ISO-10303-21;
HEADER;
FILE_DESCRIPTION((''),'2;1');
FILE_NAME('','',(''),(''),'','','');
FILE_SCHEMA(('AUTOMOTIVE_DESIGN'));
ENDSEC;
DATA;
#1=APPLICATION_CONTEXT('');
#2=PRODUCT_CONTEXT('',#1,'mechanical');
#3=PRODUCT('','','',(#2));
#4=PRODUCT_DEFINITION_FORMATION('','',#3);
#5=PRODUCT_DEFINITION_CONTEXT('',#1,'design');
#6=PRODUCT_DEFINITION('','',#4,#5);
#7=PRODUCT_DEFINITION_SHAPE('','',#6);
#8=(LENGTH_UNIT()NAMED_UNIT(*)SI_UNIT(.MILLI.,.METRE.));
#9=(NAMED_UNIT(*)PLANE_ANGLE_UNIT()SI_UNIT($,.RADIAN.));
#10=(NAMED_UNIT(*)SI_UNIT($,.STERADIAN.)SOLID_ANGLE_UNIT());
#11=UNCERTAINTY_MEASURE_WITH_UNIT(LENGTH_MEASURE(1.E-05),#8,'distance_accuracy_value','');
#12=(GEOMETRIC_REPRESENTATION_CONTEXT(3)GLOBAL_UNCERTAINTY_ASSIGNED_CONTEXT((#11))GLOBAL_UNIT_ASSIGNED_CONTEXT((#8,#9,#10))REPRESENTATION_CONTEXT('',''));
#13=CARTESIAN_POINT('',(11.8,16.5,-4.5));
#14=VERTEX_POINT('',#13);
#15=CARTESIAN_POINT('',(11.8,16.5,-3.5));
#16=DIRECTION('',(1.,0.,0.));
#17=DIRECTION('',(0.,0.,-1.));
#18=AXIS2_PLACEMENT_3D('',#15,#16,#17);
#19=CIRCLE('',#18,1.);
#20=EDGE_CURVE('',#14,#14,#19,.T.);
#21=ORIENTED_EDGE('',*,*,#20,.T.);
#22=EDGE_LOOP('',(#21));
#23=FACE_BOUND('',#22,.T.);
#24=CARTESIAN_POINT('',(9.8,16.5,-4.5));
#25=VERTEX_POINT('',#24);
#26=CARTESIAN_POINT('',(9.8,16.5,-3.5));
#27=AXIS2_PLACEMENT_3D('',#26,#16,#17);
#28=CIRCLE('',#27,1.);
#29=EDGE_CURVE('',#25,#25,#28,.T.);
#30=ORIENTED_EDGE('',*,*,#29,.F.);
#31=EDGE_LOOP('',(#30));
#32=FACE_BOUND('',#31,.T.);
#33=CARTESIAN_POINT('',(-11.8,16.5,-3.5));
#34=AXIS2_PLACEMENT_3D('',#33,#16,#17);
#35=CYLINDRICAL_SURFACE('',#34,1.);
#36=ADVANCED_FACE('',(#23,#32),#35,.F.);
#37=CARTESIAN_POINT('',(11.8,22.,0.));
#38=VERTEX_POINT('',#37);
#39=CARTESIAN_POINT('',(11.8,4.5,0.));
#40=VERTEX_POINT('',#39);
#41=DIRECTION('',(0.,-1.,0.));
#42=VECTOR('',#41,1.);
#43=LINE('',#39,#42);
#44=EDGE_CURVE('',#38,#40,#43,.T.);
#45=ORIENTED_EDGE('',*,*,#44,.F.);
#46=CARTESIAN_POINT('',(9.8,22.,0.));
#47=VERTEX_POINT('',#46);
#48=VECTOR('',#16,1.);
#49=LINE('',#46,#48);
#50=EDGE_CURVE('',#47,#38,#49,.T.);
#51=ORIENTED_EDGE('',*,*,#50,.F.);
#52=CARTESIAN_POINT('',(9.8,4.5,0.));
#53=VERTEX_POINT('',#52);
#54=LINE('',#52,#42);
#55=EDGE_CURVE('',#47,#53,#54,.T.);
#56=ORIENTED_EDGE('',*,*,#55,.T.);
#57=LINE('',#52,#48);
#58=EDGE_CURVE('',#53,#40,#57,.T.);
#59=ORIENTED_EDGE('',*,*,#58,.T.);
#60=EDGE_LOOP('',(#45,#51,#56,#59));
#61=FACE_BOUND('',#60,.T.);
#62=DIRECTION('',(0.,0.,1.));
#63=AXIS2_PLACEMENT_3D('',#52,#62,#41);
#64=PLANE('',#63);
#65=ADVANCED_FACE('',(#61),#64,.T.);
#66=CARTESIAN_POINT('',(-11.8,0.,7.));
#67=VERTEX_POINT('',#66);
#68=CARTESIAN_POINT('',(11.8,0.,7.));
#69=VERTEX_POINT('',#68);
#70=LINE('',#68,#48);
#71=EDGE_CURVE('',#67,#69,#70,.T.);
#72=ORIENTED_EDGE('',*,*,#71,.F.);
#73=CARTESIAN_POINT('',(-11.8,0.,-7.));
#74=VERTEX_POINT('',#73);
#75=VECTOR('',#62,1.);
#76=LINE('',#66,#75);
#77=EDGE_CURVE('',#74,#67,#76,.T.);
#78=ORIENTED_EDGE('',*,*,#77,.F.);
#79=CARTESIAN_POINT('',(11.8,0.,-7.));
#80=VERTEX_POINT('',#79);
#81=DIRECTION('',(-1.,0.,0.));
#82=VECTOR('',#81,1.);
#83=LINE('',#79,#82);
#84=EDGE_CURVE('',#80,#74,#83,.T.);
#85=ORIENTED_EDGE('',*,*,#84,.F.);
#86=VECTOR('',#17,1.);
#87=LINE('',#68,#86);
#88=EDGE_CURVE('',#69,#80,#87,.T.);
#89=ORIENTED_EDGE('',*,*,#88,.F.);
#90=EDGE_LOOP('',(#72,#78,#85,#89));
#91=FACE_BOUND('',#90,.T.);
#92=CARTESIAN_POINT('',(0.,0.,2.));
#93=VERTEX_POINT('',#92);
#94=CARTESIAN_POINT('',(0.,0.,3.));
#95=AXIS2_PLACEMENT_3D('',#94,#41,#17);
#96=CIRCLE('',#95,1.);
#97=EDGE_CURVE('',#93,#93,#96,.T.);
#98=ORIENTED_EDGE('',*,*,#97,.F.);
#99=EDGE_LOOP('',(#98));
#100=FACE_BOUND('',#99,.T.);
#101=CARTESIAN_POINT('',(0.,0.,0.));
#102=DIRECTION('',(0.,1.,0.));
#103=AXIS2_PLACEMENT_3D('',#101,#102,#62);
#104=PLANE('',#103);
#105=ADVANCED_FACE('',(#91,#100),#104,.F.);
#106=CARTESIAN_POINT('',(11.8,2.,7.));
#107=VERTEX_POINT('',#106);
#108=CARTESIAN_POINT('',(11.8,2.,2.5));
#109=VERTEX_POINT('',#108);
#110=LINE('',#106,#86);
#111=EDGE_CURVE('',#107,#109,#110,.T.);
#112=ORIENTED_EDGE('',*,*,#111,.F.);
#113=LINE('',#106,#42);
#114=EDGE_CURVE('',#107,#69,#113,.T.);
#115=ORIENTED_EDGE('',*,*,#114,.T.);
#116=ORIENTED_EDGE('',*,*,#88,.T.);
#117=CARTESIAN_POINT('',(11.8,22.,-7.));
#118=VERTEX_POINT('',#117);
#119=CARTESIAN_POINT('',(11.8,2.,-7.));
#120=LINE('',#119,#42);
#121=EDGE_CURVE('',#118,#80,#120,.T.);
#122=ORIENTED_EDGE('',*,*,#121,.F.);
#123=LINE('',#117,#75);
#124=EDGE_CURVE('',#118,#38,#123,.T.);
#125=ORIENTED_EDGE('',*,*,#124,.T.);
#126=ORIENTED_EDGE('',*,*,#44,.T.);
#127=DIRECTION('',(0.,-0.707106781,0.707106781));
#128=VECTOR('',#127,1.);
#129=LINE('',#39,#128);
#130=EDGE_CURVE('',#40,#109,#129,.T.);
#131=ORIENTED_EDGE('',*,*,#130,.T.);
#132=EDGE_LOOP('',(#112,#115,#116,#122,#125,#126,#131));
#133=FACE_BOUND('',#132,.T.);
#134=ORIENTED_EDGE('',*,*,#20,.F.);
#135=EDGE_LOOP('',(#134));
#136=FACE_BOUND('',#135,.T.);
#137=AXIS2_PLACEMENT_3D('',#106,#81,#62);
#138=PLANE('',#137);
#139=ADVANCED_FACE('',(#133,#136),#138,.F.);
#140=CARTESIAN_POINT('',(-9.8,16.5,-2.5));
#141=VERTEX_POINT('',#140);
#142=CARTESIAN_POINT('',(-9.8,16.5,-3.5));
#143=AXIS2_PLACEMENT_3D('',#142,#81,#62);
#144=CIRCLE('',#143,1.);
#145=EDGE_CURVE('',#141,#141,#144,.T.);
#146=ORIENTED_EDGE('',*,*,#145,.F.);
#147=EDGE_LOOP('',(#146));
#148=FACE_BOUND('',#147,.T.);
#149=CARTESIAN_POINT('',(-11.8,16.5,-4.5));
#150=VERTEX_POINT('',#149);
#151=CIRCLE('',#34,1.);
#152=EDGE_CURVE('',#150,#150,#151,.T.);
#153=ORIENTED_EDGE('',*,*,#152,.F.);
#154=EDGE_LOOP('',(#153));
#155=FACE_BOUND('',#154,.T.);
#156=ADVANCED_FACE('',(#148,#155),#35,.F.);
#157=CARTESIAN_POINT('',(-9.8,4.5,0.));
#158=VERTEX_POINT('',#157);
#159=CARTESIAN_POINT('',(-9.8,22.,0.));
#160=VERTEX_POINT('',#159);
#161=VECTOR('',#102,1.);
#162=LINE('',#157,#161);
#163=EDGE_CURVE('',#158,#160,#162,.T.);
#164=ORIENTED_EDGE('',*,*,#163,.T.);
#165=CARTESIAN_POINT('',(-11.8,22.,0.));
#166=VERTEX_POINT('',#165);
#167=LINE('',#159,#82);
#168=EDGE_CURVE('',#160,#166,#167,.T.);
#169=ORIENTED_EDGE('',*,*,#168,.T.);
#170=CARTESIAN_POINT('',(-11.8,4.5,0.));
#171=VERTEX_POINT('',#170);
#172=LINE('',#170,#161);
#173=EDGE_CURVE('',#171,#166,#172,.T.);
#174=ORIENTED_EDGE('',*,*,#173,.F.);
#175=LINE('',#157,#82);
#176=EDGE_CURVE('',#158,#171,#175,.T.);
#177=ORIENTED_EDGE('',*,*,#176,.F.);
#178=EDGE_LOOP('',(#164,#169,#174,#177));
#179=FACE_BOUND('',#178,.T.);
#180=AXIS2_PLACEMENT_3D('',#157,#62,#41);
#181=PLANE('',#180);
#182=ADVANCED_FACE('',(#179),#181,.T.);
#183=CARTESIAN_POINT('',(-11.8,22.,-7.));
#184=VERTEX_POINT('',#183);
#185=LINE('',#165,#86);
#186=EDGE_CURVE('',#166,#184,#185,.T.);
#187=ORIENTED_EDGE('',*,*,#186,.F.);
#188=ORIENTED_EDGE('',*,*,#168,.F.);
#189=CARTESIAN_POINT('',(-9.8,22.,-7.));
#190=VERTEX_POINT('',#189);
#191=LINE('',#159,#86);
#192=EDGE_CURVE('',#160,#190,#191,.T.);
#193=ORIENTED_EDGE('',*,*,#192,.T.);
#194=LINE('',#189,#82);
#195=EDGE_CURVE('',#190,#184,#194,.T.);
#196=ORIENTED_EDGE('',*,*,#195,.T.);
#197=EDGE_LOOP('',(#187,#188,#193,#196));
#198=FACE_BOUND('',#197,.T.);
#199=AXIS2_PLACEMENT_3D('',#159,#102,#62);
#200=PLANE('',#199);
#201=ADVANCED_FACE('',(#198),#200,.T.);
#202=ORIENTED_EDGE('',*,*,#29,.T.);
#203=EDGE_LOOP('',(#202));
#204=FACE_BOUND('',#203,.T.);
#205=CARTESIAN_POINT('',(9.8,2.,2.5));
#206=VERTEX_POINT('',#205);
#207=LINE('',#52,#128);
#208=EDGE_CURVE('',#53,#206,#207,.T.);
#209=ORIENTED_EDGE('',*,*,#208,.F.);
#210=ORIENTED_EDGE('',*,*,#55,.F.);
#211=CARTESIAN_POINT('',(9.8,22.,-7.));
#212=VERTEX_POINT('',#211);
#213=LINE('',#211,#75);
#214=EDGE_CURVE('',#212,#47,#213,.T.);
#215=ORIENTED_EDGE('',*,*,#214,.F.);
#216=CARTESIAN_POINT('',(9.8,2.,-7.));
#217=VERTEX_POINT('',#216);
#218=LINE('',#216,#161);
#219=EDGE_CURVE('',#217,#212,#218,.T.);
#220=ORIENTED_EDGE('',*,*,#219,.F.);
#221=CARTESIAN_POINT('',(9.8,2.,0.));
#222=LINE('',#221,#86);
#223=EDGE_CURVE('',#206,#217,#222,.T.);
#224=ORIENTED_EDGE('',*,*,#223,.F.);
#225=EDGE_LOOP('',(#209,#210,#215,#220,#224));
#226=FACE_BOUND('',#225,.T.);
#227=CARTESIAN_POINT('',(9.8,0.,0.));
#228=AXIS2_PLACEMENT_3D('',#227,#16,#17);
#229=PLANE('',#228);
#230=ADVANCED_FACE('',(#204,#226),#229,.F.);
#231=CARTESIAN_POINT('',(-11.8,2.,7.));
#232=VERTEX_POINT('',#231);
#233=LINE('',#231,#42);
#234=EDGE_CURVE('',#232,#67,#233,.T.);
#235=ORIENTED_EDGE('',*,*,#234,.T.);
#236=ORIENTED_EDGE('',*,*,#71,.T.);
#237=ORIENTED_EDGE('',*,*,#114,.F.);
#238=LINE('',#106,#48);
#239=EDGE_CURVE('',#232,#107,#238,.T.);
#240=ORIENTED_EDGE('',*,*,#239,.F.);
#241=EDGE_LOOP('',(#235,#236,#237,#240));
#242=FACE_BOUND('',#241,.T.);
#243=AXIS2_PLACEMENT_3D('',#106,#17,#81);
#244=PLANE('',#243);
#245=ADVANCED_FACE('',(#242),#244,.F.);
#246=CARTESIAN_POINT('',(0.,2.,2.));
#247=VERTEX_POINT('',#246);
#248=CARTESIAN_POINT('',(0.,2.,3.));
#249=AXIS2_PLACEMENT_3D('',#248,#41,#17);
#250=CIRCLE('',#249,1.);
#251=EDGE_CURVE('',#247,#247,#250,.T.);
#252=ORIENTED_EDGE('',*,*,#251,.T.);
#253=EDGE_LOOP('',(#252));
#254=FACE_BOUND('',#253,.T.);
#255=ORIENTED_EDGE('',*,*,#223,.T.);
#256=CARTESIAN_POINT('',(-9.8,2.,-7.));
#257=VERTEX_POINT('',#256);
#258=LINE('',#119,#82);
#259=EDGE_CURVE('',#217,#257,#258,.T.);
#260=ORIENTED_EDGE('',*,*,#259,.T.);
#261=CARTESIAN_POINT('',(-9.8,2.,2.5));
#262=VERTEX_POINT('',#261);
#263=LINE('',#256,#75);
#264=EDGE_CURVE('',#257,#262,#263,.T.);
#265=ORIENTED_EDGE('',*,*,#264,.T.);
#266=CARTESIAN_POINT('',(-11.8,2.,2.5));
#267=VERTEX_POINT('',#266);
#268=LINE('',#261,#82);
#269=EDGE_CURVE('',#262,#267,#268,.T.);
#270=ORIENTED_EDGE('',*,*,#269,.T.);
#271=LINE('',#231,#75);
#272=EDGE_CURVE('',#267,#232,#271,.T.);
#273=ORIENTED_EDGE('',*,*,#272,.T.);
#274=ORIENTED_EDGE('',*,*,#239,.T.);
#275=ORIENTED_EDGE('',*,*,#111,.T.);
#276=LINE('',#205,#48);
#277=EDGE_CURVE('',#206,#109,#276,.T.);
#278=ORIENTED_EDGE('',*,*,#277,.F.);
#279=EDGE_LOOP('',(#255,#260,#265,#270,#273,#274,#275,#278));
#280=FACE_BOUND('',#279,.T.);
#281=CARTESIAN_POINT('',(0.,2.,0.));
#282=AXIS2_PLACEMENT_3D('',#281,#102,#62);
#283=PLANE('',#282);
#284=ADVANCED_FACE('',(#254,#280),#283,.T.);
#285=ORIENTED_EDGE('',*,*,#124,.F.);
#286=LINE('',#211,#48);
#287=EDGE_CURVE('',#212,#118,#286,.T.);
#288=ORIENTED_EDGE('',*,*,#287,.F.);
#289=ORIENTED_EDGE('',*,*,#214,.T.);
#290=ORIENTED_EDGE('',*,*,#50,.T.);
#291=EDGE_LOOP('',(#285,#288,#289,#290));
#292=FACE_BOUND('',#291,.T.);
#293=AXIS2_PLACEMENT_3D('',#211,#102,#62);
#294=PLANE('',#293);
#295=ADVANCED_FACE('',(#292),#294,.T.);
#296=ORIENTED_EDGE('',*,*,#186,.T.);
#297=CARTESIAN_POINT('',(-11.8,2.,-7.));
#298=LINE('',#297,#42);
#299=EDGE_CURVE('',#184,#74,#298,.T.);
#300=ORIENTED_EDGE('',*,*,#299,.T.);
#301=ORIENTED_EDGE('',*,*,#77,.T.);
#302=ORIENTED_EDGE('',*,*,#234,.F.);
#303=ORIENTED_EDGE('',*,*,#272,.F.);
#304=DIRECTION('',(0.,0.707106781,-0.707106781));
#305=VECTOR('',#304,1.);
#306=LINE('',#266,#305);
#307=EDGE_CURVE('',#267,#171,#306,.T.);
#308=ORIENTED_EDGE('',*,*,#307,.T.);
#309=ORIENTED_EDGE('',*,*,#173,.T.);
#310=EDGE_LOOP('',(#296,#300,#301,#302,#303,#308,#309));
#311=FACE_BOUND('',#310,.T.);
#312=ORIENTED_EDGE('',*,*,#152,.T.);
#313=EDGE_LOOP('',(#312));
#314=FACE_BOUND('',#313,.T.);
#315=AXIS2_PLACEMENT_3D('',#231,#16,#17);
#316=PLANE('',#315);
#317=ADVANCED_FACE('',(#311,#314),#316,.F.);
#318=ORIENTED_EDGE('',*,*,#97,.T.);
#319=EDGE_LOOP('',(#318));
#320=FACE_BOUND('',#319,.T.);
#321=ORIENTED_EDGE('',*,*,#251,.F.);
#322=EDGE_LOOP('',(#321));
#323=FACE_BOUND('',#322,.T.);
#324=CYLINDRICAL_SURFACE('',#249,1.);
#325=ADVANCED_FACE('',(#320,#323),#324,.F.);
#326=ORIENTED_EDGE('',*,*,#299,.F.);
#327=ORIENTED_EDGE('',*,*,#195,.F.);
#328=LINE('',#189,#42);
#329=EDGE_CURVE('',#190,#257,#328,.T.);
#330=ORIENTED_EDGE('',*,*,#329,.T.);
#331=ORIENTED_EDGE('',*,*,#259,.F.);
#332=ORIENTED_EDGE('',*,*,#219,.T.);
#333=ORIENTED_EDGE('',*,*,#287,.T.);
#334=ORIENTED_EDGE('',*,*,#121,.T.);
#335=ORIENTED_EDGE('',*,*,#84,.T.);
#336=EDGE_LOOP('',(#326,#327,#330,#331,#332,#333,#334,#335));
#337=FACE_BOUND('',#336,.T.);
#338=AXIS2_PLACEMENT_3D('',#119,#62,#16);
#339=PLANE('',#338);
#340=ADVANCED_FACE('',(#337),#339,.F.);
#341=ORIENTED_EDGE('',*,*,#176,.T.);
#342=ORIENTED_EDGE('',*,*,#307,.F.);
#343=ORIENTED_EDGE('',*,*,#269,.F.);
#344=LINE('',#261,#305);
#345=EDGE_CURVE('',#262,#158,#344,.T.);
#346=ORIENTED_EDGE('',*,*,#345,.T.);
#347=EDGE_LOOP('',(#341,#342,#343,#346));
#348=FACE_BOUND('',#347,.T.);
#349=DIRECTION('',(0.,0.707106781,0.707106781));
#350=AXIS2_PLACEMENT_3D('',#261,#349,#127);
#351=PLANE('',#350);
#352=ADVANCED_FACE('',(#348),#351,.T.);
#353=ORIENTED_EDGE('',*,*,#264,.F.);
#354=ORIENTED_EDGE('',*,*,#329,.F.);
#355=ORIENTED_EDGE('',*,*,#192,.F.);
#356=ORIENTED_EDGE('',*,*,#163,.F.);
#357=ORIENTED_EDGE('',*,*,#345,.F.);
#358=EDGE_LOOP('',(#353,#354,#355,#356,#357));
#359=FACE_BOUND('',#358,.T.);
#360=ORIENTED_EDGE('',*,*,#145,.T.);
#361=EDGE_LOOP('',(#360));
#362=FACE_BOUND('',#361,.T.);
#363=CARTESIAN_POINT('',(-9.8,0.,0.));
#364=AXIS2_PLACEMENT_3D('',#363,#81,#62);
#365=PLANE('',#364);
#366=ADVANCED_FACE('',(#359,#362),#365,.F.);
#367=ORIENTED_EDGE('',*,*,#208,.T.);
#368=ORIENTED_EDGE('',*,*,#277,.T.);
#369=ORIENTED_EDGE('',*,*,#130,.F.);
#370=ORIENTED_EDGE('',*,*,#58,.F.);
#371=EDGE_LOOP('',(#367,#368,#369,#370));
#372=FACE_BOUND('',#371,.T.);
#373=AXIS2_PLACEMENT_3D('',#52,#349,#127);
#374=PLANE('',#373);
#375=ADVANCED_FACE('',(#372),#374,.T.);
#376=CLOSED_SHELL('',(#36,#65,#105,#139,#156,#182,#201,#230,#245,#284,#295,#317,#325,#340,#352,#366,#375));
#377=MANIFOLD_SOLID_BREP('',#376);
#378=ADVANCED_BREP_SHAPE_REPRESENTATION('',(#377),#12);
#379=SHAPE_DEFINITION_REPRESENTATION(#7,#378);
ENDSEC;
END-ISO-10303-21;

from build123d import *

# Parameters (mm, degrees)
SKETCH1_W           = 23.6
SKETCH1_H           = 14
BOSS_EXTRUDE1_DEPTH = 2
BOSS_EXTRUDE2_DEPTH = 2
BOSS_EXTRUDE3_DEPTH = 2
SKETCH4_R           = 1
CUT_EXTRUDE1_DEPTH  = 2
SKETCH5_R           = 1
CUT_EXTRUDE2_DEPTH  = 34.01454225


with BuildPart() as part:
    # Sketch1 → Boss-Extrude1 (new body)
    with BuildSketch(Plane(origin=(0, 0, 0), x_dir=(1, 0, 0), z_dir=(0, 1, 0))):
        Rectangle(SKETCH1_W, SKETCH1_H)
    extrude(amount=BOSS_EXTRUDE1_DEPTH)

    # Sketch2 → Boss-Extrude2 (add)
    with BuildSketch(Plane(origin=(11.8, 0, 0), x_dir=(0, 0, -1), z_dir=(1, 0, 0))):
        Polygon((7, 2), (0, 2), (-2.5, 2), (0, 4.5), (0, 22), (7, 22), align=None)
    extrude(amount=-BOSS_EXTRUDE2_DEPTH)

    # Sketch3 → Boss-Extrude3 (add)
    with BuildSketch(Plane.ZY.offset(11.8)):
        Polygon((-7, 22), (-7, 2), (2.5, 2), (0, 4.5), (0, 22), align=None)
    extrude(amount=-BOSS_EXTRUDE3_DEPTH)

    # Sketch4 → Cut-Extrude1 (cut)
    with BuildSketch(Plane.XZ):
        with Locations(Location((0, 3, 0), (0, 0, 270))):
            Circle(SKETCH4_R)
    extrude(amount=-CUT_EXTRUDE1_DEPTH, mode=Mode.SUBTRACT)

    # Sketch5 → Cut-Extrude2 (cut, through all)
    with BuildSketch(Plane(origin=(11.8, 0, 0), x_dir=(0, 0, -1), z_dir=(1, 0, 0))):
        with Locations((3.5, 16.5)):
            Circle(SKETCH5_R)
    extrude(amount=-CUT_EXTRUDE2_DEPTH, mode=Mode.SUBTRACT)


solid = part.part
